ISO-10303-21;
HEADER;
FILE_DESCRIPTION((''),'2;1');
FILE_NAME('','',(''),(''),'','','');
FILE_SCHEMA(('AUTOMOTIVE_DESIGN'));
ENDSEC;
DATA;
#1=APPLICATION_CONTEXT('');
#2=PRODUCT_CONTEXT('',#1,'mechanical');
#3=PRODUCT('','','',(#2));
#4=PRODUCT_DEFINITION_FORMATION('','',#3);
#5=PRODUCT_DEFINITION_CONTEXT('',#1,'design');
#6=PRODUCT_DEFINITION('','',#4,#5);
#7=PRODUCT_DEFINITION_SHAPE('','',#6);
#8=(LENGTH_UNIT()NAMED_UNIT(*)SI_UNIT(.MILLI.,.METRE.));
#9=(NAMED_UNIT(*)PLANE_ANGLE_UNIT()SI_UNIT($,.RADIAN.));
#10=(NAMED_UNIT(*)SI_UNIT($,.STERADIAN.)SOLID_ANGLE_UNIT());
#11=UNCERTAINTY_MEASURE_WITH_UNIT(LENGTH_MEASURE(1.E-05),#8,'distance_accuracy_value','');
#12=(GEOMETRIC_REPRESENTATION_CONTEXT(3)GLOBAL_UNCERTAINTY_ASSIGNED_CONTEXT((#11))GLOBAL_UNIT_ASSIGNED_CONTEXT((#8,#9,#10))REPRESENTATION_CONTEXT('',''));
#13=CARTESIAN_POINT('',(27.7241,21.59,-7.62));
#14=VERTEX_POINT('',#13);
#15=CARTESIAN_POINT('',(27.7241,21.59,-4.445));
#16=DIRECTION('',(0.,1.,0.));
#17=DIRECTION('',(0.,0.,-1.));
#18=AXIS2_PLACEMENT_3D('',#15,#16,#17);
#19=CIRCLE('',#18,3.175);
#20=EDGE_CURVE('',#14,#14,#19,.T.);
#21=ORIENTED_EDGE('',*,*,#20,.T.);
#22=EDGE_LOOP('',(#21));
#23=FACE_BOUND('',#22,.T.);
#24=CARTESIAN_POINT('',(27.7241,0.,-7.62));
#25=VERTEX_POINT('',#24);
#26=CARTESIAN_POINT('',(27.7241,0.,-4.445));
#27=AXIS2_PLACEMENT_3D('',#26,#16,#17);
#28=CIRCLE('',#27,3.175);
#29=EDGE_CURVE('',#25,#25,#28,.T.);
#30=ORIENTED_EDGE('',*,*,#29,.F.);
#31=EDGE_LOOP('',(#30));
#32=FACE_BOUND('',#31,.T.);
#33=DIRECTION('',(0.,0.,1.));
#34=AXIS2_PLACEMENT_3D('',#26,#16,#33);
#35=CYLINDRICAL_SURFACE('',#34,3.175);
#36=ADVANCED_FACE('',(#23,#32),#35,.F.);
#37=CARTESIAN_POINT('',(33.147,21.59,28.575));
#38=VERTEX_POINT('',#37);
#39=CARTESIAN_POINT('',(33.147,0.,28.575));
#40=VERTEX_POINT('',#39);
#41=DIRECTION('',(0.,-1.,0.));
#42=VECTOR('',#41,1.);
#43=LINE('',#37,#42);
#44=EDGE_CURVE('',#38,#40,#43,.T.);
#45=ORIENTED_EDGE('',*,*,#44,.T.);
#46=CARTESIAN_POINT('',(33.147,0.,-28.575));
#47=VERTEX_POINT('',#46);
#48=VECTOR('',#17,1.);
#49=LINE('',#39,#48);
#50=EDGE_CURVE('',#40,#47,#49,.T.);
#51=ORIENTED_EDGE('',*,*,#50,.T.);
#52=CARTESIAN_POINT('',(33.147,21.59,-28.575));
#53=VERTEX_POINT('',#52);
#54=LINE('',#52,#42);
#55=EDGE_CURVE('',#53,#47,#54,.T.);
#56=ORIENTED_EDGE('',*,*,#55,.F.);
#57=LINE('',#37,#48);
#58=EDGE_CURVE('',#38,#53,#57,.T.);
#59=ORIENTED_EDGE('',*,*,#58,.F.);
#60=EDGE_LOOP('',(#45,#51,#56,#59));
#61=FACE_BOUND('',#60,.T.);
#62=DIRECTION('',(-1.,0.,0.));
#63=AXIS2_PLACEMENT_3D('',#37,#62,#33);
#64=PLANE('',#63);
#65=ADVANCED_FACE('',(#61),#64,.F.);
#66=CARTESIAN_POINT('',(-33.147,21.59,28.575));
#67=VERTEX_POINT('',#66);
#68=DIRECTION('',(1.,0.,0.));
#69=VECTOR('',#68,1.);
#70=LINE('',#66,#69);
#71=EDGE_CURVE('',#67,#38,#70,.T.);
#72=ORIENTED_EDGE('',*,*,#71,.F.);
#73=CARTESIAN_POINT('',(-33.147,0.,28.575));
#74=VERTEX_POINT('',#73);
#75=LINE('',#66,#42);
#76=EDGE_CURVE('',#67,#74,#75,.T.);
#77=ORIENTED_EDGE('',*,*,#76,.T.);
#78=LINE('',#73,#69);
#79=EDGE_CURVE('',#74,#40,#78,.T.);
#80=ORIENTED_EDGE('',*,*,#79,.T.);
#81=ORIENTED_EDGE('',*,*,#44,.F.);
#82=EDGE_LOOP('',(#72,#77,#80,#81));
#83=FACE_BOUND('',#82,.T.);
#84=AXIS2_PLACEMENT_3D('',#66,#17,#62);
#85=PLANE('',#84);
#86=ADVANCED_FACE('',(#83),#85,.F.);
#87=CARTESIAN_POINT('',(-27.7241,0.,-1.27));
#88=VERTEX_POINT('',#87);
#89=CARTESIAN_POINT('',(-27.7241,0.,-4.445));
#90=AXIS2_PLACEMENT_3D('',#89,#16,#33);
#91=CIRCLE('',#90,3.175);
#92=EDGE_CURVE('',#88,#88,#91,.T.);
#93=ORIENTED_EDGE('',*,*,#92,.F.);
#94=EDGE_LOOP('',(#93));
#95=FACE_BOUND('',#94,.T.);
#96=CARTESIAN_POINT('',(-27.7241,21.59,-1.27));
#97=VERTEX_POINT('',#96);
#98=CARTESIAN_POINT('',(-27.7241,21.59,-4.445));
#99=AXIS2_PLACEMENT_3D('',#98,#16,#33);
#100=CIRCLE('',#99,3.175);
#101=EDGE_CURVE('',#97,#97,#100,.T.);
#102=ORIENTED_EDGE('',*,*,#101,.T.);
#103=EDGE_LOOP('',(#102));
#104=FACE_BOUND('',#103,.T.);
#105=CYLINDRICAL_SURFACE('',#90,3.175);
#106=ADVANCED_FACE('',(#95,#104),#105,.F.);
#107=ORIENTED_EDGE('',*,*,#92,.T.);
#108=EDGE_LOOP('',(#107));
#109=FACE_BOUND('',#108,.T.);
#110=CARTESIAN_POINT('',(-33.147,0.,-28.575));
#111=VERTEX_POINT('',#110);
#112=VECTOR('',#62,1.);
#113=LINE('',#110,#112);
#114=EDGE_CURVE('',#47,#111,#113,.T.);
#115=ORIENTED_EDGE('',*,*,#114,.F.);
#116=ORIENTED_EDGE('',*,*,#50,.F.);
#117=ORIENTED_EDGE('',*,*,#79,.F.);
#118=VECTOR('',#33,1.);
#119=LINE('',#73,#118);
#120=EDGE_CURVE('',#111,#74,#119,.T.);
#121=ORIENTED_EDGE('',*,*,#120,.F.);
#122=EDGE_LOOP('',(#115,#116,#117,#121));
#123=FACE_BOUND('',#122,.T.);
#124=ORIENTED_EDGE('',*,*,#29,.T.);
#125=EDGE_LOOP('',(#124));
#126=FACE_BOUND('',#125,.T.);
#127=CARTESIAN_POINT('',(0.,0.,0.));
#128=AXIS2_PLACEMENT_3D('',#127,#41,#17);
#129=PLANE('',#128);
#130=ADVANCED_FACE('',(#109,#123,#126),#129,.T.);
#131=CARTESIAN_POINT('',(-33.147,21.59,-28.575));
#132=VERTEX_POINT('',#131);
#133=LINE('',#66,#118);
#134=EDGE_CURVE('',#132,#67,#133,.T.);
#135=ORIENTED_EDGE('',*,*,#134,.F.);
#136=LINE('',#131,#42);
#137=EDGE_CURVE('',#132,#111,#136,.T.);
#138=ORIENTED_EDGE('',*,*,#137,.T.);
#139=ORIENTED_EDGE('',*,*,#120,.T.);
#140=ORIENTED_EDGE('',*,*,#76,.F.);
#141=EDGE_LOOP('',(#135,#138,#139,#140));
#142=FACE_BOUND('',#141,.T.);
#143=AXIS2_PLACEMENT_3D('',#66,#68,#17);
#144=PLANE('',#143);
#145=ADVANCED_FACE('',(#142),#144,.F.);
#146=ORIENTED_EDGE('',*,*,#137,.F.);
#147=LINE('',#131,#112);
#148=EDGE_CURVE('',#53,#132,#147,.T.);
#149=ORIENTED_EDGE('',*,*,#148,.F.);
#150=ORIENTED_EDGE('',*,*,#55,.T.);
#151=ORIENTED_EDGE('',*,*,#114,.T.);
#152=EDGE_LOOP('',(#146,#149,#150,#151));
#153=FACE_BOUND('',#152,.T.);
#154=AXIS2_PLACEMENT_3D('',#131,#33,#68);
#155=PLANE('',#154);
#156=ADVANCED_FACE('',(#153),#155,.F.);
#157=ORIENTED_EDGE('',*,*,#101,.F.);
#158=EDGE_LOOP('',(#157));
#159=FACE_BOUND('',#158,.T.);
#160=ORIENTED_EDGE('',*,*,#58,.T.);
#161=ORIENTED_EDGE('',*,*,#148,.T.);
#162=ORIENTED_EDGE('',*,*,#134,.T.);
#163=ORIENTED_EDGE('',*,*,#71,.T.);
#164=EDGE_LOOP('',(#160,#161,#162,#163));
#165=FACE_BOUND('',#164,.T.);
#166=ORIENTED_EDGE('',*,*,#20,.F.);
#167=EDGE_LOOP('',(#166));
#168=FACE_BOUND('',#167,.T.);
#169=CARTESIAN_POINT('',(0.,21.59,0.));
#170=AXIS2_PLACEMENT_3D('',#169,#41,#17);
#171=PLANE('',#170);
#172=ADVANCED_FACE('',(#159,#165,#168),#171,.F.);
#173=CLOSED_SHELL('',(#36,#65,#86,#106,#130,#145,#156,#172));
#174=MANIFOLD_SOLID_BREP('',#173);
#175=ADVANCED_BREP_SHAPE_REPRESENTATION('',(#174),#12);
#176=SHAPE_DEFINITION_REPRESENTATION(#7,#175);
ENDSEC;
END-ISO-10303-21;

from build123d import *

# Parameters (mm, degrees)
SKETCH1_W           = 66.294
SKETCH1_H           = 57.15
BOSS_EXTRUDE1_DEPTH = 21.59
SKETCH2_R           = 3.175
CUT_EXTRUDE1_DEPTH  = 21.59


with BuildPart() as part:
    # Sketch1 → Boss-Extrude1 (new body)
    with BuildSketch(Plane(origin=(0, 0, 0), x_dir=(1, 0, 0), z_dir=(0, 1, 0))):
        Rectangle(SKETCH1_W, SKETCH1_H)
    extrude(amount=BOSS_EXTRUDE1_DEPTH)

    # Sketch2 → Cut-Extrude1 (cut)
    with BuildSketch(Plane(origin=(0, 21.59, 0), x_dir=(1, 0, 0), z_dir=(0, 1, 0))):
        with Locations(Location((-27.7241, 4.445, 0), (0, 0, 270))):
            Circle(SKETCH2_R)
        with Locations(Location((27.7241, 4.445, 0), (0, 0, 90))):
            Circle(SKETCH2_R)
    extrude(amount=-CUT_EXTRUDE1_DEPTH, mode=Mode.SUBTRACT)


solid = part.part
